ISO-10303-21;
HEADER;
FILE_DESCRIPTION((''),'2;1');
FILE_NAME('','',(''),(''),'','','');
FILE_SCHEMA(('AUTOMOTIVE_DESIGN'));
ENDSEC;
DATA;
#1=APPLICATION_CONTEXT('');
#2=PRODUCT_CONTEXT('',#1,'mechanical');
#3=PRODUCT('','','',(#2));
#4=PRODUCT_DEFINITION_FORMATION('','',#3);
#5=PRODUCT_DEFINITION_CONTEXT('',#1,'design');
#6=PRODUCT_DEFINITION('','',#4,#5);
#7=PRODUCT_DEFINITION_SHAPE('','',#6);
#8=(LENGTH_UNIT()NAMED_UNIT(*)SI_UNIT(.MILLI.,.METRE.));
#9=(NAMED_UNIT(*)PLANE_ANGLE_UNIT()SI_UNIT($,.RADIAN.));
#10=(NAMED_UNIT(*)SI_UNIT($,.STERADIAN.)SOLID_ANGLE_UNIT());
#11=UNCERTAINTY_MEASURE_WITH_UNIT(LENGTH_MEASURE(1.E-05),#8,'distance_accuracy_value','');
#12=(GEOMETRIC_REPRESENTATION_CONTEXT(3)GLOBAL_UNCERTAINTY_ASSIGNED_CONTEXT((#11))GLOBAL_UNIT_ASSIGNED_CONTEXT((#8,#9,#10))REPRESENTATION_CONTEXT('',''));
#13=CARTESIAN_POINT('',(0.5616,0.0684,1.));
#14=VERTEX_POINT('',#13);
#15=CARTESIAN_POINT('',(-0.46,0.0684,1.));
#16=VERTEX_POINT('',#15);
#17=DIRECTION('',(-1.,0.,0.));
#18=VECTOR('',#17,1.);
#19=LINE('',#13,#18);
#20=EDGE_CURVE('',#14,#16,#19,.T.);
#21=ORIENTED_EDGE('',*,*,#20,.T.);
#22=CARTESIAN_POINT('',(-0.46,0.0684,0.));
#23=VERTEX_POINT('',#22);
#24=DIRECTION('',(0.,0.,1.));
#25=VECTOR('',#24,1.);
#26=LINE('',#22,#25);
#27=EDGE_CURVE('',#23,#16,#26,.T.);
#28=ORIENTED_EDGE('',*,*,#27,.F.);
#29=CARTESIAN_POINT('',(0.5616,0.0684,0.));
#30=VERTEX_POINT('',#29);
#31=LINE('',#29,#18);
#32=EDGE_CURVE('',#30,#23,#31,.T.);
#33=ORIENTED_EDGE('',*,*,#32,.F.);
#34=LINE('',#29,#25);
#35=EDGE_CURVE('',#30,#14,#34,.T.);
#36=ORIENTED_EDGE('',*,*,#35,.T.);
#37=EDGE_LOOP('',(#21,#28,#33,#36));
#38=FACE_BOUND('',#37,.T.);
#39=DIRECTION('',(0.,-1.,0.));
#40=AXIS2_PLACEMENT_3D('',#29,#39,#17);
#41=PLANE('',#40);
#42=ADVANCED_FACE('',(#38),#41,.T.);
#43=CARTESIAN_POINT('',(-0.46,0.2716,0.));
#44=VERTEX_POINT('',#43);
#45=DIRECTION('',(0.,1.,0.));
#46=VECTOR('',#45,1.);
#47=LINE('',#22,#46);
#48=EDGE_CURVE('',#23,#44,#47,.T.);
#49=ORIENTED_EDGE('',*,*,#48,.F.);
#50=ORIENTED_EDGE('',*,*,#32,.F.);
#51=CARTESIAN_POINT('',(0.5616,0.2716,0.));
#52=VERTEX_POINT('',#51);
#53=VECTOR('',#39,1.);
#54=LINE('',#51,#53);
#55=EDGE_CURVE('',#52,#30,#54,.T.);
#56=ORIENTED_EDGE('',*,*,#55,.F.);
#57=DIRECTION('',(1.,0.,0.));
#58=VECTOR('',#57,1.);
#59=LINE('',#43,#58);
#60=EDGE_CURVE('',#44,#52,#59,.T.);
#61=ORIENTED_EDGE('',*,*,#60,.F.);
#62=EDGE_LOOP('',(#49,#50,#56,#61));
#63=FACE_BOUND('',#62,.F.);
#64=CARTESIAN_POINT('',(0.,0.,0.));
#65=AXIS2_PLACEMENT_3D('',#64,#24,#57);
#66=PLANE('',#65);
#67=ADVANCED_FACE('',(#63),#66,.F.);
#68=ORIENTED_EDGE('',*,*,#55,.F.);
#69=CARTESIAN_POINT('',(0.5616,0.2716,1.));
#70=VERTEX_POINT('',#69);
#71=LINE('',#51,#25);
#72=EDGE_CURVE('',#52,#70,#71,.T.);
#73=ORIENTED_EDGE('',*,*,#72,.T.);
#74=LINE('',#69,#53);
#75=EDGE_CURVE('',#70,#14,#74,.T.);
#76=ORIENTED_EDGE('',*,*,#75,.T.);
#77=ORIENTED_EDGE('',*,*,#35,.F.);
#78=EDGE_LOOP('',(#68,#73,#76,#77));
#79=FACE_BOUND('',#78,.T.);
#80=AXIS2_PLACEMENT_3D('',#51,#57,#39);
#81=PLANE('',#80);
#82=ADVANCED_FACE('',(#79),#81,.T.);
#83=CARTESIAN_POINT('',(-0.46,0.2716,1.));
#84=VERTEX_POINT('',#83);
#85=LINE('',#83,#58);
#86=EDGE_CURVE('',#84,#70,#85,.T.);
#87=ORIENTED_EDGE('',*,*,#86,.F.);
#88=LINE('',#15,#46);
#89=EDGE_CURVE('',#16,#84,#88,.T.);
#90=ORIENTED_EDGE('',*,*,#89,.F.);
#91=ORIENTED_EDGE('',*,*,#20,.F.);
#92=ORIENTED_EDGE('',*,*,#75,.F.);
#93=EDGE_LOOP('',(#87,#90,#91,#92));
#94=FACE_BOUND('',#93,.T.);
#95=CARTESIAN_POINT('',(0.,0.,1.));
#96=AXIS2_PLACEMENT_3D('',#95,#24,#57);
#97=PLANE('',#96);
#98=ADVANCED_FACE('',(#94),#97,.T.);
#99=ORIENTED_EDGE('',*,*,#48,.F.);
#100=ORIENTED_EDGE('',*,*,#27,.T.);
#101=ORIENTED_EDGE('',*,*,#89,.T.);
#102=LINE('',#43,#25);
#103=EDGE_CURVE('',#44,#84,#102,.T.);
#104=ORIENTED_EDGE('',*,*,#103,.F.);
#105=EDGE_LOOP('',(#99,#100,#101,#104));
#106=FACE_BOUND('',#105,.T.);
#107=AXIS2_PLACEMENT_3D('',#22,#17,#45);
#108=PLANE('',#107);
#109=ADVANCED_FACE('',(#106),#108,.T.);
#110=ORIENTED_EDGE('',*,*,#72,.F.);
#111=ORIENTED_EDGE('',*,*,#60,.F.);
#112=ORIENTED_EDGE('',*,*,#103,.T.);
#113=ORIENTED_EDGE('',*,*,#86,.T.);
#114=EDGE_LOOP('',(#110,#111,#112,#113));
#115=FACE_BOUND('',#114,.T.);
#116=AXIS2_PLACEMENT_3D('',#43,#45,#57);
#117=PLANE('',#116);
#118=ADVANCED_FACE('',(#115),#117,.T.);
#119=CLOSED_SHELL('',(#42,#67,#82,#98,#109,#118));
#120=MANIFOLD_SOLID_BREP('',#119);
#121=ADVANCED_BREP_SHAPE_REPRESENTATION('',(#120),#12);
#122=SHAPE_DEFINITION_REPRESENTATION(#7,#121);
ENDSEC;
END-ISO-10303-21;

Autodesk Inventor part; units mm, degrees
ref_plane "YZ Plane" through (0, 0, 0) normal (1, 0, 0) x (0, 1, 0)
ref_plane "XZ Plane" through (0, 0, 0) normal (0, 1, 0) x (-1, 0, 0)
ref_plane "XY Plane" through (0, 0, 0) normal (0, 0, 1) x (1, 0, 0)
sketch "LED-0603, GREEN_11" plane through (0, 0, 0) normal (0, 0, 1) x (1, 0, 0)
  line L0 (-0.46, 0.2716) -> (0.5616, 0.2716)
  line L1 (0.5616, 0.2716) -> (0.5616, 0.0684)
  line L2 (0.5616, 0.0684) -> (-0.46, 0.0684)
  line L3 (-0.46, 0.0684) -> (-0.46, 0.2716)
extrude "Extrusion1" add sketch "LED-0603, GREEN_11" along normal blind 1
properties part number "GREEN"
